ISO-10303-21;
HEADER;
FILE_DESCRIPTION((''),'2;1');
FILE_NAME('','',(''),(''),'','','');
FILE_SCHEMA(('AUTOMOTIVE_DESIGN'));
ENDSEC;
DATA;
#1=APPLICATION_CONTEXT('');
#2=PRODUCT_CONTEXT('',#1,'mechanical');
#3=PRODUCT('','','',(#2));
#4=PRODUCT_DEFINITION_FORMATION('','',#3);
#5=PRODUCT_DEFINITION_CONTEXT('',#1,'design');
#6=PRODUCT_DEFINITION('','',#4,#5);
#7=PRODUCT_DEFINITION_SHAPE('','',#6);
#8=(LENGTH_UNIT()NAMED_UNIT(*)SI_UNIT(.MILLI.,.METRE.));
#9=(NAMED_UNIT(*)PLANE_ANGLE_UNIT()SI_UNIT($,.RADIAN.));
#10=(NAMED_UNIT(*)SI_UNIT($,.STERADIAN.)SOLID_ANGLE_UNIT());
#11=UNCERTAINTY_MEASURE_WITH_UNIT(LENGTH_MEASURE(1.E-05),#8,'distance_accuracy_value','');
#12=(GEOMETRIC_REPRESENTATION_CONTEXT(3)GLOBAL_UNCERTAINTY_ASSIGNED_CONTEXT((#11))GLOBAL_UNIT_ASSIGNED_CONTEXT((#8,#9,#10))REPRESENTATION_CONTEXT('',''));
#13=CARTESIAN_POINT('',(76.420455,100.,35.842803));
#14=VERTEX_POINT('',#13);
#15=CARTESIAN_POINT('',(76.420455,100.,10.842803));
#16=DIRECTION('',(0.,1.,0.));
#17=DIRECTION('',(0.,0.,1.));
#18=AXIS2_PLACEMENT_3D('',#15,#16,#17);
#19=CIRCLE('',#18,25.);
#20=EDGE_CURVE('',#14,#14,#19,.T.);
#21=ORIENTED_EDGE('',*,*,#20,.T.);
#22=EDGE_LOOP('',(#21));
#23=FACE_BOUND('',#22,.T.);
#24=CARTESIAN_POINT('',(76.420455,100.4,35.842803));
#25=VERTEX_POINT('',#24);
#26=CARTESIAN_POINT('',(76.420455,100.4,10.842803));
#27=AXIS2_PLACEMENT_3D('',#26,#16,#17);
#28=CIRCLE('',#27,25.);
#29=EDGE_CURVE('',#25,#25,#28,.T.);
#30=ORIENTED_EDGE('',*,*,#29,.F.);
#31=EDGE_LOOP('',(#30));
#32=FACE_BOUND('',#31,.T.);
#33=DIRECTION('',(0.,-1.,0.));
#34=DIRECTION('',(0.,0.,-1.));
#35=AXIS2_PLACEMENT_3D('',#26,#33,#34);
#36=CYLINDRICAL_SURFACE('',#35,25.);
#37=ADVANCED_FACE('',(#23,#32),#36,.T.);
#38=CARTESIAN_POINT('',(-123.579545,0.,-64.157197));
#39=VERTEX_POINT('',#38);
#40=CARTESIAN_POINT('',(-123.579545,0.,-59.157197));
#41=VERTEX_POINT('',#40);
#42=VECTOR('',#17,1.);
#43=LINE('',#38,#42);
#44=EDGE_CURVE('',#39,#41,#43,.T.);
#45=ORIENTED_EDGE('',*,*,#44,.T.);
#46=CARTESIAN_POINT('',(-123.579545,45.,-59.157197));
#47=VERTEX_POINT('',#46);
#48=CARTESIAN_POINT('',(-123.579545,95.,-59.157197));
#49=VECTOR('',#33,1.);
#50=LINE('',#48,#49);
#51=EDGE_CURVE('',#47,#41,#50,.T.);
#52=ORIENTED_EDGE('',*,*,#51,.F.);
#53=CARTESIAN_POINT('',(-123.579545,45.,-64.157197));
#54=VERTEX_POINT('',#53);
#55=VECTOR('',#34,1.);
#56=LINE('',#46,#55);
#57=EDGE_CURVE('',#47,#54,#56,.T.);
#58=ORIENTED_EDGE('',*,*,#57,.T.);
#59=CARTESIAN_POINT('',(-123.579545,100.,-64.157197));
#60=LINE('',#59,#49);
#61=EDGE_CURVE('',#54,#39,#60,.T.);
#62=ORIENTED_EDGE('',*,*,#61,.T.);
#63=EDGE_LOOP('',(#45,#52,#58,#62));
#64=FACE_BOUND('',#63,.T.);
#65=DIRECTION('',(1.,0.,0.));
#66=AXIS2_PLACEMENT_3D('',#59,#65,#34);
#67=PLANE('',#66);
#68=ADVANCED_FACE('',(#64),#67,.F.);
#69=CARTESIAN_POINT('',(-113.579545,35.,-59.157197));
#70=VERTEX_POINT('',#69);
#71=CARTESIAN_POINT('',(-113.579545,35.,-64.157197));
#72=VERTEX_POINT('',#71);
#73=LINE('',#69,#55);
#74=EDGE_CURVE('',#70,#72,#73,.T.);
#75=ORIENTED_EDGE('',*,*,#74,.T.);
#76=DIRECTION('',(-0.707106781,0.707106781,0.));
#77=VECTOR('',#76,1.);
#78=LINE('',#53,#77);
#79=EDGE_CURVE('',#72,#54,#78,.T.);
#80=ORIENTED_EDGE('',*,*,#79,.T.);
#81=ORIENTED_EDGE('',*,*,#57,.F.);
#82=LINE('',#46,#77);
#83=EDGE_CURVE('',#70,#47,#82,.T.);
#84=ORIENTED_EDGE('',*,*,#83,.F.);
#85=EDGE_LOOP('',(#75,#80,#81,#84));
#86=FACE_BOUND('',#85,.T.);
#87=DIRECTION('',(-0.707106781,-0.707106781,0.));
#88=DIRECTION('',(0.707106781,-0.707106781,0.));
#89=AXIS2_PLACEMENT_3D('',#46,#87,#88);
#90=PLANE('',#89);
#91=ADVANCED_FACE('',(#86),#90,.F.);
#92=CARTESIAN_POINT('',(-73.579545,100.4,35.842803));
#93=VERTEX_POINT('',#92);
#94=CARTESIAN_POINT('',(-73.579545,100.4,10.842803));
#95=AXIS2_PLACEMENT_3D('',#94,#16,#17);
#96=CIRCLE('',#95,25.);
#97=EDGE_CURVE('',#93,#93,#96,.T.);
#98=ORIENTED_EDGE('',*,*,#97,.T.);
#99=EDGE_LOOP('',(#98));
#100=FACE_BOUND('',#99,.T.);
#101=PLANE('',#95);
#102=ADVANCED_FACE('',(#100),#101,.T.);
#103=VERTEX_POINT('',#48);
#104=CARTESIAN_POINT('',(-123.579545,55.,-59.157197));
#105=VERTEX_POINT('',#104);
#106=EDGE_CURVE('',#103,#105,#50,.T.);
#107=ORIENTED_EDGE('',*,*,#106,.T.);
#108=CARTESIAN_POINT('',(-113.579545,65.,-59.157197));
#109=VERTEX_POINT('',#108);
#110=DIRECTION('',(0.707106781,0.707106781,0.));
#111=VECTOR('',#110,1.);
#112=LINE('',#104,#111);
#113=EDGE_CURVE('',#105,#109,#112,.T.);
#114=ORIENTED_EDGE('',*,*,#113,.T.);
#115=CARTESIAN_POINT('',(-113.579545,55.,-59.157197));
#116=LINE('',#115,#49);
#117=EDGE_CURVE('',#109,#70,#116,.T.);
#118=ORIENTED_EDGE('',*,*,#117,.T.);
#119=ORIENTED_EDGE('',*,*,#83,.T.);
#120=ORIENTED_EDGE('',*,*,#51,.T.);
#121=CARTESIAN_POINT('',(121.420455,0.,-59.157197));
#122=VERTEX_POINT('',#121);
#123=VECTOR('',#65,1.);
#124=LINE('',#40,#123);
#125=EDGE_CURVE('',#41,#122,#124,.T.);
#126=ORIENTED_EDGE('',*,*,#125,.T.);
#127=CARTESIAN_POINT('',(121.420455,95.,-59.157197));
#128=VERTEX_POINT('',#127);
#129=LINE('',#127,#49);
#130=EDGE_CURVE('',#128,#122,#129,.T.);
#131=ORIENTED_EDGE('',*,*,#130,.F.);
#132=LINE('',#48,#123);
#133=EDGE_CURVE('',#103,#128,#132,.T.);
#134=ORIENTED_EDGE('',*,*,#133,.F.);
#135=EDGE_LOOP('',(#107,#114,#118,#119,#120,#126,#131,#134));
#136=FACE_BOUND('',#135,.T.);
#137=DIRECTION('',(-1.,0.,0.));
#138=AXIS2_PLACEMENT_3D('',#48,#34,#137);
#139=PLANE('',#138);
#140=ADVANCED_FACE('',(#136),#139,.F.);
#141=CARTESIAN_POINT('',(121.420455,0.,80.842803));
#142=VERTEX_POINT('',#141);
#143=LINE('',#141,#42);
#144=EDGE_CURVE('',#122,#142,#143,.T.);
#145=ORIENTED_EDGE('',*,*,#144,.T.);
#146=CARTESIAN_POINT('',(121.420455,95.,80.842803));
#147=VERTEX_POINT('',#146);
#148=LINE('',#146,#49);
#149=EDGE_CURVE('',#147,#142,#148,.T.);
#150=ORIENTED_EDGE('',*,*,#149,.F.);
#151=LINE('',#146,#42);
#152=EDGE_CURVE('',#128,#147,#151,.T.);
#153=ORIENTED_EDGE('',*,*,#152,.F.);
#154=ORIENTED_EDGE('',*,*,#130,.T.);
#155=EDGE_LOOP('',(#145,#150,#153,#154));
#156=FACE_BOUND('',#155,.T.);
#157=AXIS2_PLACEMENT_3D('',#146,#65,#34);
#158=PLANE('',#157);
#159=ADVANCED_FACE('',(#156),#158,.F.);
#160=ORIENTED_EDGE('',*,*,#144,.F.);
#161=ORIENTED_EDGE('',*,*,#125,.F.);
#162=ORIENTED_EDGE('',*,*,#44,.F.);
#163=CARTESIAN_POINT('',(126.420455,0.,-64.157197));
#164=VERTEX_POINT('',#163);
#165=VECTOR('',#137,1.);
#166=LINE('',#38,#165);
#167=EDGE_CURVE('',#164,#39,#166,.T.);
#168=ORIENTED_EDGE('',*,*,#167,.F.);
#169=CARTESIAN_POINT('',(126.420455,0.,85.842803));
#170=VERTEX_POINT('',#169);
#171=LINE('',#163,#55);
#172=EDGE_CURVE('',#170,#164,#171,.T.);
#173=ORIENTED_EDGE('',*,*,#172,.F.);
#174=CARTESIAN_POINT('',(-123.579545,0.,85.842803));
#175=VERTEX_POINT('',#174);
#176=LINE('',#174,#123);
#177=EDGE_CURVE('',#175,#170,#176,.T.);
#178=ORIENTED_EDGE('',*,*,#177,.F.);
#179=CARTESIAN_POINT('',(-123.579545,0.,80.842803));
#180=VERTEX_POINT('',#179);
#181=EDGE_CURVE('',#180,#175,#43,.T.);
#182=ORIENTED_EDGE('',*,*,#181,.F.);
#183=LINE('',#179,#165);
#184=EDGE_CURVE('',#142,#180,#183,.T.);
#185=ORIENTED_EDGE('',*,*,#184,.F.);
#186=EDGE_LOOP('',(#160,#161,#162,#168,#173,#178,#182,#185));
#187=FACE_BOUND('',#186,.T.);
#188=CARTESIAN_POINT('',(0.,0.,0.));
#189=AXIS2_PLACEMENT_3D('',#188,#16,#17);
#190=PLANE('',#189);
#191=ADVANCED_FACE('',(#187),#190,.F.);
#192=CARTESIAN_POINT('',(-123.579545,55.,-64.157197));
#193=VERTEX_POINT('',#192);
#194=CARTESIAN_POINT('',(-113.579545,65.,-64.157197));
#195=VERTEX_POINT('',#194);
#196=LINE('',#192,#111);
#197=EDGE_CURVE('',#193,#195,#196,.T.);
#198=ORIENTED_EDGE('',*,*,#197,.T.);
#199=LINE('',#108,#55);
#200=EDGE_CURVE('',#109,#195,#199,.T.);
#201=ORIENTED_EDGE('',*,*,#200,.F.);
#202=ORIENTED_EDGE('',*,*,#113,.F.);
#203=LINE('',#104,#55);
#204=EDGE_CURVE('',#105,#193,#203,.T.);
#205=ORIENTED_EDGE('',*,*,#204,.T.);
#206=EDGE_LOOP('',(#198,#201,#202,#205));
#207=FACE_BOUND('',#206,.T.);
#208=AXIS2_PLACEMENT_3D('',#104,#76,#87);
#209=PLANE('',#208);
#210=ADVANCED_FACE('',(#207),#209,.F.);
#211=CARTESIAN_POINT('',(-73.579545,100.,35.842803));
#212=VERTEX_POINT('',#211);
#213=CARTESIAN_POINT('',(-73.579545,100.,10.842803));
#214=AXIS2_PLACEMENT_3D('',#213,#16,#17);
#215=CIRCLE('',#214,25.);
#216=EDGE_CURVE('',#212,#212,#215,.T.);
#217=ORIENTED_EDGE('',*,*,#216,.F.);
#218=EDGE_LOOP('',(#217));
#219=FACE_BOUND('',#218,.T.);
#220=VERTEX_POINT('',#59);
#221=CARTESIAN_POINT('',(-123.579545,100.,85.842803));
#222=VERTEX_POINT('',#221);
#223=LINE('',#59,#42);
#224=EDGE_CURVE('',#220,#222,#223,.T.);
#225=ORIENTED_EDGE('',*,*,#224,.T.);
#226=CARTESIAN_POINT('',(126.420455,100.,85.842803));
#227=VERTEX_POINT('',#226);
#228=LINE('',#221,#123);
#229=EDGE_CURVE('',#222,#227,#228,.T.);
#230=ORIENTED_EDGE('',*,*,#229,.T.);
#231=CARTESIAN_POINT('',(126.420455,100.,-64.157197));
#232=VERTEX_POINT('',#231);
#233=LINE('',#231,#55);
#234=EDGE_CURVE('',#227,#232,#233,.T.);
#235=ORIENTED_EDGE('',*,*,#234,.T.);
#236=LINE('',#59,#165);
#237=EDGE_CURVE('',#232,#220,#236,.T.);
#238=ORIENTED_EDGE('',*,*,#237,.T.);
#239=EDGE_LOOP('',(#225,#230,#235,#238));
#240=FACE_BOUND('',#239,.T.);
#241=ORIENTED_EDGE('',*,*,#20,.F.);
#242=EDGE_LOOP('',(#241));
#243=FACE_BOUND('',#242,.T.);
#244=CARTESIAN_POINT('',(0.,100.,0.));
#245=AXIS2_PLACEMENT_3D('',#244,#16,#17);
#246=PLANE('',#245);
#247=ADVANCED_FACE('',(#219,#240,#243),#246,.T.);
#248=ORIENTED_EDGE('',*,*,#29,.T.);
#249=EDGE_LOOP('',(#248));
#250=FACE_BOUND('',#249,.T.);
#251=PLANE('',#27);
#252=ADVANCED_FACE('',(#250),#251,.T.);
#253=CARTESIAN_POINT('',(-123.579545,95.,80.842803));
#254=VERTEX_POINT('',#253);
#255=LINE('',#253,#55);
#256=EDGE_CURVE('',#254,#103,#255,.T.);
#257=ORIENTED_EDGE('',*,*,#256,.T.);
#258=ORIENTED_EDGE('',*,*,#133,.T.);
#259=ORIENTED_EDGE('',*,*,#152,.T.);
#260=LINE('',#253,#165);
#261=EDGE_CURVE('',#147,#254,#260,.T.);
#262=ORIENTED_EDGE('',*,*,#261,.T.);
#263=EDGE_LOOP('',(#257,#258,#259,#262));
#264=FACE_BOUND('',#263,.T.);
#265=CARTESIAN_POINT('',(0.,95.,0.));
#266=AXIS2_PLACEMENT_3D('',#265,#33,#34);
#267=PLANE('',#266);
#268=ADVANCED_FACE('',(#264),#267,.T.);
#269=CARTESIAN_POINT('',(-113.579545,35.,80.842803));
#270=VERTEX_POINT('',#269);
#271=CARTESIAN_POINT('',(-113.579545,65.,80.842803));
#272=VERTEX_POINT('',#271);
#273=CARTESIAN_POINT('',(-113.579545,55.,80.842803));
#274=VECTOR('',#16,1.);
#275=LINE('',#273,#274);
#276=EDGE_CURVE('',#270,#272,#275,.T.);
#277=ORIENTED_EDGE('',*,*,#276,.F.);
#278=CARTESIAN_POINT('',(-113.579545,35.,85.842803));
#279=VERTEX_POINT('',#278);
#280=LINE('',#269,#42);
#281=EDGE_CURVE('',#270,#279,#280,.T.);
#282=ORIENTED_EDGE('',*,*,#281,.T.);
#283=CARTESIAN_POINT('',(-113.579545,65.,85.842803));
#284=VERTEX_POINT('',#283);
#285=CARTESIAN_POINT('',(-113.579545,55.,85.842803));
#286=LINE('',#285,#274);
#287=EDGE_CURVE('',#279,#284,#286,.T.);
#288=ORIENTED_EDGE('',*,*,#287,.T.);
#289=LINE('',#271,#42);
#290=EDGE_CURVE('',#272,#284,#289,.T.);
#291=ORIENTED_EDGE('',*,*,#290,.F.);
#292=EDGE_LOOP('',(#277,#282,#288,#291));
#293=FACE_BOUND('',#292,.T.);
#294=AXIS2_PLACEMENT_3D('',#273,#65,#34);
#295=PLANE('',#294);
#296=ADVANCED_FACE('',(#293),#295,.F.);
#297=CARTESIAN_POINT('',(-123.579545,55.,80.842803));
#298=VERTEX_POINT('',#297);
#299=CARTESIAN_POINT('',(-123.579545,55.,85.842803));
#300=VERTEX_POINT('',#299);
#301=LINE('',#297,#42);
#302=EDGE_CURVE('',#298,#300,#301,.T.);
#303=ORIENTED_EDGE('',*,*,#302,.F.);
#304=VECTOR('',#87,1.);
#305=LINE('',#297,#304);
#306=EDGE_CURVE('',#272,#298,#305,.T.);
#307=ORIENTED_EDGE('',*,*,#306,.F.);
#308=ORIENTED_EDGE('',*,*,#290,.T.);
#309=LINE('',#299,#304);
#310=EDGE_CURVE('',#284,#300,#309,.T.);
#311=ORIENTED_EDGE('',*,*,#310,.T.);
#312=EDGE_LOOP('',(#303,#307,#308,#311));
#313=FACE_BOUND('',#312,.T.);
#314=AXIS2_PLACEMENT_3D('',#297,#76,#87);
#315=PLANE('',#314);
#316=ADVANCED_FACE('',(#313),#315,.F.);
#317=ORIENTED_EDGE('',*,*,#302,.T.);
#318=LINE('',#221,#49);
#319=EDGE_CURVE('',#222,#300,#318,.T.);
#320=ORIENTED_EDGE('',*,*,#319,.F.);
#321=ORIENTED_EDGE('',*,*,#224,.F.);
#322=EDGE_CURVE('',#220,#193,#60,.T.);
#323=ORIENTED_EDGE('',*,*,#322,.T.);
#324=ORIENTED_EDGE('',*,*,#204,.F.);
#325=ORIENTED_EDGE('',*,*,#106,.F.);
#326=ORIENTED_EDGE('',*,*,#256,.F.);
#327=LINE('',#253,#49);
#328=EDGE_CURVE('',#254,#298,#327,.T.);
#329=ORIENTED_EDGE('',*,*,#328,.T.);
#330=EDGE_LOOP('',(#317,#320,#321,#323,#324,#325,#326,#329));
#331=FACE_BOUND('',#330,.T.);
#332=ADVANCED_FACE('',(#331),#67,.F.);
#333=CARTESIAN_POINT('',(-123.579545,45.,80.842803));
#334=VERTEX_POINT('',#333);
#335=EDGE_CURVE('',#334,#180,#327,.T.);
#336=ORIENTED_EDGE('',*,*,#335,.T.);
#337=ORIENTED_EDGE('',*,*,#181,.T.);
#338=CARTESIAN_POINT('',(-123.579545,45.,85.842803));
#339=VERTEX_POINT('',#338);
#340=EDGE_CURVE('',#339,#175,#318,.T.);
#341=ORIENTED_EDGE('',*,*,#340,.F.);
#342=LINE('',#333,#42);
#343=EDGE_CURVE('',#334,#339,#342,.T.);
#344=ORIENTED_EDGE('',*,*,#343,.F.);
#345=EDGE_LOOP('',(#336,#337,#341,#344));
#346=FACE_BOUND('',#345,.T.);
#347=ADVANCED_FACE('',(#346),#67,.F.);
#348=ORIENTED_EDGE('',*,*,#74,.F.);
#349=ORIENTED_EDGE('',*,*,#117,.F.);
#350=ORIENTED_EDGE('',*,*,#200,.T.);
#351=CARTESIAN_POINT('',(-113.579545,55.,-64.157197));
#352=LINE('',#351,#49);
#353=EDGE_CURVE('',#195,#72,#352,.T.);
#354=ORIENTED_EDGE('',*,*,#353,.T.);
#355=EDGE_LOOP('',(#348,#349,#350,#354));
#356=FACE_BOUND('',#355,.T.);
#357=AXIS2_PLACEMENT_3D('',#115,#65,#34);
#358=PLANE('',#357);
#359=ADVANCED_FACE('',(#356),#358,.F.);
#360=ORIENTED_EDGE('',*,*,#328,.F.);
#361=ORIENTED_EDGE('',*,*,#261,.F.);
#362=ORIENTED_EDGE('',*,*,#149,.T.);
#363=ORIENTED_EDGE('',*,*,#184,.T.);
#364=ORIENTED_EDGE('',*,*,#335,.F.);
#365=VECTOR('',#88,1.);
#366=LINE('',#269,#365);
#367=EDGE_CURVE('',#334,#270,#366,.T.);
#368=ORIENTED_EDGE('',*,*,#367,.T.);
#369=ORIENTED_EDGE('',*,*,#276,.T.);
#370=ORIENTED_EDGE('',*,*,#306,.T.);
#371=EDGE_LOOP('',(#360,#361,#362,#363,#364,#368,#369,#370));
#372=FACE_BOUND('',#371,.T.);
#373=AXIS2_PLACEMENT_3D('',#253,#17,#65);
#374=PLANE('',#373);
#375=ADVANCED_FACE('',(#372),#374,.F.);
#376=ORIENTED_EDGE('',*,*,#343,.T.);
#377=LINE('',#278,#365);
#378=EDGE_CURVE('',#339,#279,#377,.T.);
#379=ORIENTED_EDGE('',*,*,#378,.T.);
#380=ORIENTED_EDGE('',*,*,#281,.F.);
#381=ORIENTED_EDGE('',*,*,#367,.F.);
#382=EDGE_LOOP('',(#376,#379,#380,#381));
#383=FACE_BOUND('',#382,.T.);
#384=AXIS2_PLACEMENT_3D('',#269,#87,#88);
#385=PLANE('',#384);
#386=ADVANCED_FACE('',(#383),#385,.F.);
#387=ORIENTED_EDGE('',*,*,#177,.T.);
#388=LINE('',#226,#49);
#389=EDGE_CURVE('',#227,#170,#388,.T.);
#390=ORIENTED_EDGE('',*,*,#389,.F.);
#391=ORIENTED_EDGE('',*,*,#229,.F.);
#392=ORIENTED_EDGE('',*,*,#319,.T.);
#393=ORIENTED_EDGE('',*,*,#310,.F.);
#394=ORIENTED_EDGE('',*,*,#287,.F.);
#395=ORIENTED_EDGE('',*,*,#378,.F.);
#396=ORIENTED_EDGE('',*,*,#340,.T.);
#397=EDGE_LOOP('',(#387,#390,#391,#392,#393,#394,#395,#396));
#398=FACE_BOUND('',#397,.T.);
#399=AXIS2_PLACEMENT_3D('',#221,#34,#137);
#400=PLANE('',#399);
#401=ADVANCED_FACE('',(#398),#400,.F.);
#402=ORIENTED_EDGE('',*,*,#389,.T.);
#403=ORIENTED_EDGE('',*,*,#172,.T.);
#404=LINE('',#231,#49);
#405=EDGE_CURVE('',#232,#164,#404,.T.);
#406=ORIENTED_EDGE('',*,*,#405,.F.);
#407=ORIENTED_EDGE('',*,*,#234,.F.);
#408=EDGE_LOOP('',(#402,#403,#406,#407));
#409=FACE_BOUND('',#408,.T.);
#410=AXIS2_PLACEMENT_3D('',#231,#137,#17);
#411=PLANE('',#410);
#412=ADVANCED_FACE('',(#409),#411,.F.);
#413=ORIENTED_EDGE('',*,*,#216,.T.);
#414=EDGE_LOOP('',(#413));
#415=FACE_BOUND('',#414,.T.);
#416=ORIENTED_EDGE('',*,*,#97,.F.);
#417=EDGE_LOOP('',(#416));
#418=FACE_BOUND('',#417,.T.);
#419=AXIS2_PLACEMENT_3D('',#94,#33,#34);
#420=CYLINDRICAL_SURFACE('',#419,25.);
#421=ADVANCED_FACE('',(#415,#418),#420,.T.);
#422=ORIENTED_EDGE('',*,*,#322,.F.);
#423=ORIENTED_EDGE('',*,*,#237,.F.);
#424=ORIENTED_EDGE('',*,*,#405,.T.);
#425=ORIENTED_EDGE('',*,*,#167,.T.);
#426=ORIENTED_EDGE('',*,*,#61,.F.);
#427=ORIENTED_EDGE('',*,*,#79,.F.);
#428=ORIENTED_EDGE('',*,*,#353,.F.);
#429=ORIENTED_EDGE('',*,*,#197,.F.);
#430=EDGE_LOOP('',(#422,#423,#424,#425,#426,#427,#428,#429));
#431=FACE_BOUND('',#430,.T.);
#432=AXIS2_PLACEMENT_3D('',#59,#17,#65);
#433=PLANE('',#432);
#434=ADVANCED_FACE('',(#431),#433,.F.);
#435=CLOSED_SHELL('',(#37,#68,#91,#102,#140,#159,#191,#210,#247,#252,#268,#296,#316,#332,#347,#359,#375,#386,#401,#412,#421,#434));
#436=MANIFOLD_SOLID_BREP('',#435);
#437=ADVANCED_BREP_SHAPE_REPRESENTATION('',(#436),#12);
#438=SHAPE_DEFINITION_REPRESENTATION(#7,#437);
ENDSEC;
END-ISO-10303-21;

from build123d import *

# Parameters (mm, degrees)
SKETCH_1_W          = 250
SKETCH_1_H          = 150
EXTRUDE_1_DEPTH     = 100
SKETCH_2_R          = 25
EXTRUDE_2_DEPTH     = 0.4
SKETCH_5_W          = 245
SKETCH_5_H          = 140
CUT_EXTRUDE_1_DEPTH = 95
SKETCH_7_W          = 10
SKETCH_7_H          = 10
CUT_EXTRUDE_2_DEPTH = 5
CUT_EXTRUDE_3_DEPTH = 5
SKETCH_10_W         = 10
SKETCH_10_H         = 10
CUT_EXTRUDE_4_DEPTH = 5
CUT_EXTRUDE_6_DEPTH = 5


with BuildPart() as part:
    # 草图1 → 凸台-拉伸1 (new body)
    with BuildSketch(Plane(origin=(0, 0, 0), x_dir=(1, 0, 0), z_dir=(0, 1, 0))):
        with Locations((1.420454545, -10.84280303)):
            Rectangle(SKETCH_1_W, SKETCH_1_H)
    extrude(amount=EXTRUDE_1_DEPTH)

    # 草图2 → 凸台-拉伸2 (add)
    with BuildSketch(Plane(origin=(0, 100, 0), x_dir=(1, 0, 0), z_dir=(0, 1, 0))):
        with Locations(Location((76.420454545, -10.84280303, 0), (0, 0, 270))):
            Circle(SKETCH_2_R)
        with Locations(Location((-73.579545455, -10.84280303, 0), (0, 0, 270))):
            Circle(SKETCH_2_R)
    extrude(amount=EXTRUDE_2_DEPTH)

    # 草图5 → 切除-拉伸1 (cut)
    with BuildSketch(Plane.XZ):
        with Locations((-1.079545455, 10.84280303)):
            Rectangle(SKETCH_5_W, SKETCH_5_H)
    extrude(amount=-CUT_EXTRUDE_1_DEPTH, mode=Mode.SUBTRACT)

    # 草图7 → 切除-拉伸2 (cut)
    with BuildSketch(Plane.XY.offset(85.84280303)):
        with Locations((-118.579545455, 50)):
            Rectangle(SKETCH_7_W, SKETCH_7_H)
    extrude(amount=-CUT_EXTRUDE_2_DEPTH, mode=Mode.SUBTRACT)

    # 草图9 → 切除-拉伸3 (cut)
    with BuildSketch(Plane.XY.offset(85.84280303)):
        Polygon((-123.579545455, 55), (-113.579545455, 65), (-113.579545455, 55), align=None)
        Polygon((-123.579545455, 45), (-113.579545455, 45), (-113.579545455, 35), align=None)
    extrude(amount=-CUT_EXTRUDE_3_DEPTH, mode=Mode.SUBTRACT)

    # 草图10 → 切除-拉伸4 (cut)
    with BuildSketch(Plane(origin=(0, 0, -64.15719697), x_dir=(-1, 0, 0), z_dir=(0, 0, -1))):
        with Locations((118.579545455, 50)):
            Rectangle(SKETCH_10_W, SKETCH_10_H)
    extrude(amount=-CUT_EXTRUDE_4_DEPTH, mode=Mode.SUBTRACT)

    # 草图17 → 切除-拉伸6 (cut)
    with BuildSketch(Plane(origin=(0, 0, -64.15719697), x_dir=(-1, 0, 0), z_dir=(0, 0, -1))):
        Polygon((123.579545455, 55), (113.579545455, 65), (113.579545455, 55), align=None)
        Polygon((123.579545455, 45), (113.579545455, 35), (113.579545455, 45), align=None)
    extrude(amount=-CUT_EXTRUDE_6_DEPTH, mode=Mode.SUBTRACT)


solid = part.part
